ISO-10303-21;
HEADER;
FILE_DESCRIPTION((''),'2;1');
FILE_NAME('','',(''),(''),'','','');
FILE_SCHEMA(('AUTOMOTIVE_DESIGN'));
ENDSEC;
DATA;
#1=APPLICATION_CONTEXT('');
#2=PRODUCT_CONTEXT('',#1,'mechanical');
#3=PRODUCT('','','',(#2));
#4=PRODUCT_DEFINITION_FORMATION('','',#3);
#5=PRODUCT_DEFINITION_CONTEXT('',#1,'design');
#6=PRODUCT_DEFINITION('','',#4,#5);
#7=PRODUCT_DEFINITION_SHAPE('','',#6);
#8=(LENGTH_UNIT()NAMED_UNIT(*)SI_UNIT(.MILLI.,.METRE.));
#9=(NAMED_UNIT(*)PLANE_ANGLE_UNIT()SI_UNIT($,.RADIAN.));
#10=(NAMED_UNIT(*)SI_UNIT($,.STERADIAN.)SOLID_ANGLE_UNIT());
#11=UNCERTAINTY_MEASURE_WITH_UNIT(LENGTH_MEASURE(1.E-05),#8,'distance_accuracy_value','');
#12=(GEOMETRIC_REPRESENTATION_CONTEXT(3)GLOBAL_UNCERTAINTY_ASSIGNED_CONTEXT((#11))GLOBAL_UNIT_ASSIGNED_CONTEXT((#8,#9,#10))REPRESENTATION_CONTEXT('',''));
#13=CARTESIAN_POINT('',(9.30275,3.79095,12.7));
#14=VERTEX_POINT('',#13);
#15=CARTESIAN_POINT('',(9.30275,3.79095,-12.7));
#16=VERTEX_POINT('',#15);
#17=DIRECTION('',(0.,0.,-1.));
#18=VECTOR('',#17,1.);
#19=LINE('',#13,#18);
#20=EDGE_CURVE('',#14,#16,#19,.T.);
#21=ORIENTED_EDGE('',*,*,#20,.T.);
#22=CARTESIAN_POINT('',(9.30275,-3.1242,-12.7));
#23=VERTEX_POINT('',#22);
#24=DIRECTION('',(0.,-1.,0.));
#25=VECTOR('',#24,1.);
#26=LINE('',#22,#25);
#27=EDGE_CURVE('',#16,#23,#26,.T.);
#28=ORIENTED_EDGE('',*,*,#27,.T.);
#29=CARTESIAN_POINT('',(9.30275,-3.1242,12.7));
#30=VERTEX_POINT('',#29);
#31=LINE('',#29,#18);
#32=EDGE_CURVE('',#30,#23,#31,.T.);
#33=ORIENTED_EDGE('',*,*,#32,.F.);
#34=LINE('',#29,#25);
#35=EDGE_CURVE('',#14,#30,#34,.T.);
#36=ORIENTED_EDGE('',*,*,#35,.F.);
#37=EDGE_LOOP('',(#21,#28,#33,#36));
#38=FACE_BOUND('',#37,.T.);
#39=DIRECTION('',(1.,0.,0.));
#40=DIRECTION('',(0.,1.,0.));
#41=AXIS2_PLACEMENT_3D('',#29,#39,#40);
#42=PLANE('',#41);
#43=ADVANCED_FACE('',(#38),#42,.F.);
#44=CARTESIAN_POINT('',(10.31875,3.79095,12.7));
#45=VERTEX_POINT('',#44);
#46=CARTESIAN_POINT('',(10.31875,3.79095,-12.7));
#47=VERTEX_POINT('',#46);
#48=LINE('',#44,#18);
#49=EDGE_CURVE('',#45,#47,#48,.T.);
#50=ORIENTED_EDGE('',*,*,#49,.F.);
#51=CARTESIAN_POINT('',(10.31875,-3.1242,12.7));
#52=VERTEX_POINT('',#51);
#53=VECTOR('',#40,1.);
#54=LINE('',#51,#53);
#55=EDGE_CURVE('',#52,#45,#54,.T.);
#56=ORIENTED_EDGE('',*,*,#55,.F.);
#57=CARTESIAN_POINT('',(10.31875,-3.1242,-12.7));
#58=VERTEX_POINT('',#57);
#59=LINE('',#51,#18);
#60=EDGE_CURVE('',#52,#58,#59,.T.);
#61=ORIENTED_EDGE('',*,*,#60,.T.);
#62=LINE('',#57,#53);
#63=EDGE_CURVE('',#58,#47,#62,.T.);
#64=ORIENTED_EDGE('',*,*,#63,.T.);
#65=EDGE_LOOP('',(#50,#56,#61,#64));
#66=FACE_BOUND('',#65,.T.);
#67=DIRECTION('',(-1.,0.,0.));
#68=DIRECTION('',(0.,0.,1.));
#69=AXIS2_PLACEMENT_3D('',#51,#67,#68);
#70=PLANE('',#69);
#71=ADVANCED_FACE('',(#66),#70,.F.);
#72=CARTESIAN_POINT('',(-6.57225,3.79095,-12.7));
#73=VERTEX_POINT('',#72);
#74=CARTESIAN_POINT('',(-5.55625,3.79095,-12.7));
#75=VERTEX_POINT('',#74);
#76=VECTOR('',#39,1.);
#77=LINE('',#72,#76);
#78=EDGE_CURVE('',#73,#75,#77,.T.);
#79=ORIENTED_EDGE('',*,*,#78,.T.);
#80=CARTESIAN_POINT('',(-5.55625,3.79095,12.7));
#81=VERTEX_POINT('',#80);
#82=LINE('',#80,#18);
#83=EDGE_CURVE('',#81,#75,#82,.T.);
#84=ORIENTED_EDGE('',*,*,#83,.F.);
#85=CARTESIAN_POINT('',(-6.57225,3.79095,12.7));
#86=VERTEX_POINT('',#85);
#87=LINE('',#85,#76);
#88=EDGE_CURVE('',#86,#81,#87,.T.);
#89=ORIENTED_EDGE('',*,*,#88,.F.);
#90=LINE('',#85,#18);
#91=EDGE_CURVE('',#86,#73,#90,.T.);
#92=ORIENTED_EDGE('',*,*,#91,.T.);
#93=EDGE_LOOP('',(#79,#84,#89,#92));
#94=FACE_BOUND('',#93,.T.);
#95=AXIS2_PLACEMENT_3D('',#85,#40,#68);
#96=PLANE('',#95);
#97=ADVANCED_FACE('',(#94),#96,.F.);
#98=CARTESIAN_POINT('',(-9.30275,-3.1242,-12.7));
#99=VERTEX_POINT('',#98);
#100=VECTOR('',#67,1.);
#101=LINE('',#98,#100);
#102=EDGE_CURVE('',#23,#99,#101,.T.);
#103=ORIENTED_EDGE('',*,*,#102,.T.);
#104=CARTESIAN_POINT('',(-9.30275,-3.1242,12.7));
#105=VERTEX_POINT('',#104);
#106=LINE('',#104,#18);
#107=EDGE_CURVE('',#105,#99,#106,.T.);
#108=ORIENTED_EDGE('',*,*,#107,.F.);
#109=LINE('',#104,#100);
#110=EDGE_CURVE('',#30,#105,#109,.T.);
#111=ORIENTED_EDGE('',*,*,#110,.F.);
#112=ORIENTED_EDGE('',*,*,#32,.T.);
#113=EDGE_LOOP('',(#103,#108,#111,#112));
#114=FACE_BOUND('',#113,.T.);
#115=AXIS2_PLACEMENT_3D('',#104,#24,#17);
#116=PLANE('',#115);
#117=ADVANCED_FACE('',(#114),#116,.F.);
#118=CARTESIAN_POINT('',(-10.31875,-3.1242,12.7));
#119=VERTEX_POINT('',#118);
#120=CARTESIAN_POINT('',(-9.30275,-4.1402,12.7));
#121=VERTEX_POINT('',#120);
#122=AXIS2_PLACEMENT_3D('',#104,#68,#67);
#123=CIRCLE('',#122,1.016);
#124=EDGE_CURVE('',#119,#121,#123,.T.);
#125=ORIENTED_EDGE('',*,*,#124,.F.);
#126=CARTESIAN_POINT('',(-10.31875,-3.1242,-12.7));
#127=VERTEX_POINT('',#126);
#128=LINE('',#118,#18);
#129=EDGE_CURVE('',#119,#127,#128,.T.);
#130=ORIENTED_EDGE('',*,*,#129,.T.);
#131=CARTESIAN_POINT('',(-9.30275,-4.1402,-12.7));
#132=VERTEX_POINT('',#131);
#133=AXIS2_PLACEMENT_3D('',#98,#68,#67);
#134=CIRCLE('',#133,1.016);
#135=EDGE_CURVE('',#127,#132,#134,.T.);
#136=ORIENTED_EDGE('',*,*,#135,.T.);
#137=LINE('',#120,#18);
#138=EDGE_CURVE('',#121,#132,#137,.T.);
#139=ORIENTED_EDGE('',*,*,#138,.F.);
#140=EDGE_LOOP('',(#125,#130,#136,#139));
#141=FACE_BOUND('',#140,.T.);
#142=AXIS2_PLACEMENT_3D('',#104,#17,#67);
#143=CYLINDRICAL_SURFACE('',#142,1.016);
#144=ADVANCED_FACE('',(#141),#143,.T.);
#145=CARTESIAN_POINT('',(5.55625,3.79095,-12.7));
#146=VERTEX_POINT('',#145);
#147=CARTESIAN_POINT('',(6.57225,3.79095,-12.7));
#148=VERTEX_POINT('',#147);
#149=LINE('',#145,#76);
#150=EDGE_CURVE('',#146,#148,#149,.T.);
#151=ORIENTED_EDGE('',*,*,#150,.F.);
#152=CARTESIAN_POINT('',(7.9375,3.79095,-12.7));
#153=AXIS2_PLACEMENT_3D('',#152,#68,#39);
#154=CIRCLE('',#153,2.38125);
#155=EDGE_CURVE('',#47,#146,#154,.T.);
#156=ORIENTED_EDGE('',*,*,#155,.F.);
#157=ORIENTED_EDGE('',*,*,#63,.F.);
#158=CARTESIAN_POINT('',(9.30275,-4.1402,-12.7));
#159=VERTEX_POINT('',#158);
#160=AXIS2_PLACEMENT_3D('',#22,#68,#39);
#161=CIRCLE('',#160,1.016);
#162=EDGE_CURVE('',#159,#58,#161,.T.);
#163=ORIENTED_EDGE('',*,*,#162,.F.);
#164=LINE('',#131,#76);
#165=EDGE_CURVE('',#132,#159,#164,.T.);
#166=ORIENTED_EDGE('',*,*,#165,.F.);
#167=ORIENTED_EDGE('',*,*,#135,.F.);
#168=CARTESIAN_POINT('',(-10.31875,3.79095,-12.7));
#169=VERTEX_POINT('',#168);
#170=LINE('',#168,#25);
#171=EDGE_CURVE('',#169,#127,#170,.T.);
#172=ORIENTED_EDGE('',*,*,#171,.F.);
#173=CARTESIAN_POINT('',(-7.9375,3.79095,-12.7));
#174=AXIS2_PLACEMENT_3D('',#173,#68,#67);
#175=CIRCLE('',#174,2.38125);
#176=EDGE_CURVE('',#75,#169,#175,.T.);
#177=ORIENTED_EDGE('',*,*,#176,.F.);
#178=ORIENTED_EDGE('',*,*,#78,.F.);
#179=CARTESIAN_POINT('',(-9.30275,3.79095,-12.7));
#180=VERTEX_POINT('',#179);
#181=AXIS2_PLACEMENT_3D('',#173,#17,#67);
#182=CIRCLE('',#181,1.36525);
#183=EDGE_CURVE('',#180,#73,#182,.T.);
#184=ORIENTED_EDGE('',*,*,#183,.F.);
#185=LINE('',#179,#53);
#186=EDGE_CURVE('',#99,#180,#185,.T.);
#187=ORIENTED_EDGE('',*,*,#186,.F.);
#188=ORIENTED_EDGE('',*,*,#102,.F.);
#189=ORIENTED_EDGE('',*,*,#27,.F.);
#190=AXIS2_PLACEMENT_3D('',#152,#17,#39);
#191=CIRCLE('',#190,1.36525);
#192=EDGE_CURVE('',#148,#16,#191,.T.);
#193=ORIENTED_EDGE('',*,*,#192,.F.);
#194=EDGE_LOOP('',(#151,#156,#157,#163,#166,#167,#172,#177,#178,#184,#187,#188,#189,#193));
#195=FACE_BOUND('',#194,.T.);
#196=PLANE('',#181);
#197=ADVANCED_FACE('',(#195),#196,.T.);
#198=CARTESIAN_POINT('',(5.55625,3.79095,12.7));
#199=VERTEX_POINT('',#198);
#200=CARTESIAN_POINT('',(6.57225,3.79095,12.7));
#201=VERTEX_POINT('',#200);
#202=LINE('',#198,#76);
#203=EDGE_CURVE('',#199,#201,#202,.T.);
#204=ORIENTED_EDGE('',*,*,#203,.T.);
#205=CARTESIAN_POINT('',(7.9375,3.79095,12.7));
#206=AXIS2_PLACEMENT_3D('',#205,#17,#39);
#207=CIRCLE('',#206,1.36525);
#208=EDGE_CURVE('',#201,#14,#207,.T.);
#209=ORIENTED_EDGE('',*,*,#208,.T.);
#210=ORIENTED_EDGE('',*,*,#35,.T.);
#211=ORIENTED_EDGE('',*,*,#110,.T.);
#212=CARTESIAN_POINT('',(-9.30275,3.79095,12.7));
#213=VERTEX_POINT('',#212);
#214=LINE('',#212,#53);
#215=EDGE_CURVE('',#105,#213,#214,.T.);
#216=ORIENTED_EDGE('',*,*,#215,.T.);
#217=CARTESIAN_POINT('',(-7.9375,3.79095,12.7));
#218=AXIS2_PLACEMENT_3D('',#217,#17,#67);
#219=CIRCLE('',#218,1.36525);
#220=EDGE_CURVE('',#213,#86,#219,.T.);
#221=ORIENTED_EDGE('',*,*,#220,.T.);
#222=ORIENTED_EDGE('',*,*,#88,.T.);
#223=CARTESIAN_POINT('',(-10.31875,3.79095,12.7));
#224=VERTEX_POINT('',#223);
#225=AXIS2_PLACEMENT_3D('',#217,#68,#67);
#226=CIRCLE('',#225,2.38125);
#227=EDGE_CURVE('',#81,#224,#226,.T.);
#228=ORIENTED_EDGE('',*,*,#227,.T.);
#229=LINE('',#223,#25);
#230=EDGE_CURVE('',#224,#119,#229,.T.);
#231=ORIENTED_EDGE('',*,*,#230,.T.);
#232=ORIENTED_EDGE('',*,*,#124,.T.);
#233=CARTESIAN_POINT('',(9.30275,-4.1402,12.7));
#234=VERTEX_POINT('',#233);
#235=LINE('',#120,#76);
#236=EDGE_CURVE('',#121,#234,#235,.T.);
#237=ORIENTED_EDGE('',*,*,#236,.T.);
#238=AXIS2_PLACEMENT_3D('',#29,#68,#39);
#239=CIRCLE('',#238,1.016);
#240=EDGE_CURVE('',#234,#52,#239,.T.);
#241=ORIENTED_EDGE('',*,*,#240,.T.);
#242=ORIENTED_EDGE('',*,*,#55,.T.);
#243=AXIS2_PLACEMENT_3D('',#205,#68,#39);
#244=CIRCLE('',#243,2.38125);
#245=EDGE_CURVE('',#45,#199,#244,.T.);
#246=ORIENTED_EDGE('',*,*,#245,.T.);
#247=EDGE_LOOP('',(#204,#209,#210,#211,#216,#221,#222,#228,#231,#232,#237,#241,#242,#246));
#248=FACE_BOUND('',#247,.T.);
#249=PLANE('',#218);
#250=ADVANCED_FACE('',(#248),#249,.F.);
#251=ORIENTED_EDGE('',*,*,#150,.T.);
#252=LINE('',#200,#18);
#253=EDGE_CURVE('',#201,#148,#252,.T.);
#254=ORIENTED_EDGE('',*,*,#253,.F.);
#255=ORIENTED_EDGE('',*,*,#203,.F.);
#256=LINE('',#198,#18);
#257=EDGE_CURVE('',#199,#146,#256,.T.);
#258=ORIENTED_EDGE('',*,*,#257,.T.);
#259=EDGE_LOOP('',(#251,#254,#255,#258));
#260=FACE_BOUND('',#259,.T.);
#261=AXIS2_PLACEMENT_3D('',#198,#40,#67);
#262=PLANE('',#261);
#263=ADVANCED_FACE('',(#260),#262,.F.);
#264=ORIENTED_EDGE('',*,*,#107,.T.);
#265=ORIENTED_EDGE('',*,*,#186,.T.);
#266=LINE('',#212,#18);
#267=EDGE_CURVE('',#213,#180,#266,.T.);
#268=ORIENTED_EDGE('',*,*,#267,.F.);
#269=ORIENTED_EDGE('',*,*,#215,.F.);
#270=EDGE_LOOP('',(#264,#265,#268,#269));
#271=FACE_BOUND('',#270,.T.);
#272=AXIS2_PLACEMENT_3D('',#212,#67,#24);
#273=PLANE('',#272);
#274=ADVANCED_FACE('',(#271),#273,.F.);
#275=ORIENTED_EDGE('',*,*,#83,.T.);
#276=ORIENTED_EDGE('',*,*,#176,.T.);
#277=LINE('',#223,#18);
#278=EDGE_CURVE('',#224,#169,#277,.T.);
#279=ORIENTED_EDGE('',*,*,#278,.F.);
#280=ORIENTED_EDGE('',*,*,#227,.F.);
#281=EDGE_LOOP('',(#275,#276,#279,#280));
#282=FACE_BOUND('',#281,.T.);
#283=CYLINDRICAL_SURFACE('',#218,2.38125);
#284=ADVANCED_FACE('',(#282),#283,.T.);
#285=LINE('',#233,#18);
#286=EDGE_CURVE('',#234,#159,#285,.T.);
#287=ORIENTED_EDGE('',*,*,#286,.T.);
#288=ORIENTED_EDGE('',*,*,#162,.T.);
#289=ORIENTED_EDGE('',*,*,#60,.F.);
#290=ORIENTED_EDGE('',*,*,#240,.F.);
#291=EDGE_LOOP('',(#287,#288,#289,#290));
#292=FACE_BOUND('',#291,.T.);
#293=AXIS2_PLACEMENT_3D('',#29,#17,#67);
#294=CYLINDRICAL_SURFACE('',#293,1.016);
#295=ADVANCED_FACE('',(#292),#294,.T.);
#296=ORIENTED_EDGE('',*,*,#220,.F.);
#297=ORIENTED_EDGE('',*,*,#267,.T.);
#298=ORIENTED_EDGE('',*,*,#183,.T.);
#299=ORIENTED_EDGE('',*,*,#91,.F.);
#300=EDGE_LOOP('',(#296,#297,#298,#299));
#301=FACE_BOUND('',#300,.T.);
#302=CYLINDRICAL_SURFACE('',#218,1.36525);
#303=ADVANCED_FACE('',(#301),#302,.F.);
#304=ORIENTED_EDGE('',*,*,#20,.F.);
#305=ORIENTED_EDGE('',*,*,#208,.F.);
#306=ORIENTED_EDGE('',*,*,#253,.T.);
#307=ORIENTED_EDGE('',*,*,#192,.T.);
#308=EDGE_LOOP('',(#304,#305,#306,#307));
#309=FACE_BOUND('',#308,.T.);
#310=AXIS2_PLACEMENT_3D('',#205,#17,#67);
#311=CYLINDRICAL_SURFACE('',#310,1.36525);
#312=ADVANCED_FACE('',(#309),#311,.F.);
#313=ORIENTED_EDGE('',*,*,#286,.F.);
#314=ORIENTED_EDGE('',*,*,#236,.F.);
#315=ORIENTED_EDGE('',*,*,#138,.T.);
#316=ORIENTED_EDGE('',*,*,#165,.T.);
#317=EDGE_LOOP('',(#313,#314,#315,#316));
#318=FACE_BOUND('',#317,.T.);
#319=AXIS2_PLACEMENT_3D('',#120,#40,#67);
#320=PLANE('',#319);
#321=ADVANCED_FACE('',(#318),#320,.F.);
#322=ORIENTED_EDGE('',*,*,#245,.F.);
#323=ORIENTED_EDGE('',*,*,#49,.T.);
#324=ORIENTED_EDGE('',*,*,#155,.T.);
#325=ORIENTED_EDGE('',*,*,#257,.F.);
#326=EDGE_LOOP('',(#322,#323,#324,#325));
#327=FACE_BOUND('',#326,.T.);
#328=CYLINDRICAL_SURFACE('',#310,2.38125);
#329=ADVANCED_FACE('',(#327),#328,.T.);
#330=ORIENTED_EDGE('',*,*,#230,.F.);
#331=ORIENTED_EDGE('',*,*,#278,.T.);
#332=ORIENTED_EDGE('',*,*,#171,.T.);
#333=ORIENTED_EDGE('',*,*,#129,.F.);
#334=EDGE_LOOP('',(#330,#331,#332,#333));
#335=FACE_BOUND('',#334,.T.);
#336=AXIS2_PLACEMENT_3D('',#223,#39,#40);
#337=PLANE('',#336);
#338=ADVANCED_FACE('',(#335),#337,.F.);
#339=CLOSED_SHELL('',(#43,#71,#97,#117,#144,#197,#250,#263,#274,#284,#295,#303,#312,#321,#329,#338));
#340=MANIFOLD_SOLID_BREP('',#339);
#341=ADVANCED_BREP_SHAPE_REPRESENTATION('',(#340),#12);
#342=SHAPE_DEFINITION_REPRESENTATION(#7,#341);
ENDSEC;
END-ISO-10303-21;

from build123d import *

# Parameters (mm, degrees)
BASE_EXTRUDE_DEPTH = 12.7


with BuildPart() as part:
    # Sketch1 → Base-Extrude (new, symmetric)
    with BuildSketch(Plane.XY):
        with BuildLine():
            Line((-10.31875, 3.79095), (-10.31875, -3.1242))
            ThreePointArc((-10.31875, -3.1242), (-10.02117049, -3.84262049), (-9.30275, -4.1402))
            Line((-9.30275, -4.1402), (9.30275, -4.1402))
            ThreePointArc((9.30275, -4.1402), (10.02117049, -3.84262049), (10.31875, -3.1242))
            Line((10.31875, -3.1242), (10.31875, 3.79095))
            ThreePointArc((10.31875, 3.79095), (7.9375, 6.1722), (5.55625, 3.79095))
            Line((5.55625, 3.79095), (6.57225, 3.79095))
            ThreePointArc((6.57225, 3.79095), (7.9375, 5.1562), (9.30275, 3.79095))
            Line((9.30275, 3.79095), (9.30275, -3.1242))
            Line((9.30275, -3.1242), (-9.30275, -3.1242))
            Line((-9.30275, -3.1242), (-9.30275, 3.79095))
            ThreePointArc((-9.30275, 3.79095), (-7.9375, 5.1562), (-6.57225, 3.79095))
            Line((-6.57225, 3.79095), (-5.55625, 3.79095))
            ThreePointArc((-5.55625, 3.79095), (-7.9375, 6.1722), (-10.31875, 3.79095))
        make_face()
    extrude(amount=BASE_EXTRUDE_DEPTH, both=True)


solid = part.part
